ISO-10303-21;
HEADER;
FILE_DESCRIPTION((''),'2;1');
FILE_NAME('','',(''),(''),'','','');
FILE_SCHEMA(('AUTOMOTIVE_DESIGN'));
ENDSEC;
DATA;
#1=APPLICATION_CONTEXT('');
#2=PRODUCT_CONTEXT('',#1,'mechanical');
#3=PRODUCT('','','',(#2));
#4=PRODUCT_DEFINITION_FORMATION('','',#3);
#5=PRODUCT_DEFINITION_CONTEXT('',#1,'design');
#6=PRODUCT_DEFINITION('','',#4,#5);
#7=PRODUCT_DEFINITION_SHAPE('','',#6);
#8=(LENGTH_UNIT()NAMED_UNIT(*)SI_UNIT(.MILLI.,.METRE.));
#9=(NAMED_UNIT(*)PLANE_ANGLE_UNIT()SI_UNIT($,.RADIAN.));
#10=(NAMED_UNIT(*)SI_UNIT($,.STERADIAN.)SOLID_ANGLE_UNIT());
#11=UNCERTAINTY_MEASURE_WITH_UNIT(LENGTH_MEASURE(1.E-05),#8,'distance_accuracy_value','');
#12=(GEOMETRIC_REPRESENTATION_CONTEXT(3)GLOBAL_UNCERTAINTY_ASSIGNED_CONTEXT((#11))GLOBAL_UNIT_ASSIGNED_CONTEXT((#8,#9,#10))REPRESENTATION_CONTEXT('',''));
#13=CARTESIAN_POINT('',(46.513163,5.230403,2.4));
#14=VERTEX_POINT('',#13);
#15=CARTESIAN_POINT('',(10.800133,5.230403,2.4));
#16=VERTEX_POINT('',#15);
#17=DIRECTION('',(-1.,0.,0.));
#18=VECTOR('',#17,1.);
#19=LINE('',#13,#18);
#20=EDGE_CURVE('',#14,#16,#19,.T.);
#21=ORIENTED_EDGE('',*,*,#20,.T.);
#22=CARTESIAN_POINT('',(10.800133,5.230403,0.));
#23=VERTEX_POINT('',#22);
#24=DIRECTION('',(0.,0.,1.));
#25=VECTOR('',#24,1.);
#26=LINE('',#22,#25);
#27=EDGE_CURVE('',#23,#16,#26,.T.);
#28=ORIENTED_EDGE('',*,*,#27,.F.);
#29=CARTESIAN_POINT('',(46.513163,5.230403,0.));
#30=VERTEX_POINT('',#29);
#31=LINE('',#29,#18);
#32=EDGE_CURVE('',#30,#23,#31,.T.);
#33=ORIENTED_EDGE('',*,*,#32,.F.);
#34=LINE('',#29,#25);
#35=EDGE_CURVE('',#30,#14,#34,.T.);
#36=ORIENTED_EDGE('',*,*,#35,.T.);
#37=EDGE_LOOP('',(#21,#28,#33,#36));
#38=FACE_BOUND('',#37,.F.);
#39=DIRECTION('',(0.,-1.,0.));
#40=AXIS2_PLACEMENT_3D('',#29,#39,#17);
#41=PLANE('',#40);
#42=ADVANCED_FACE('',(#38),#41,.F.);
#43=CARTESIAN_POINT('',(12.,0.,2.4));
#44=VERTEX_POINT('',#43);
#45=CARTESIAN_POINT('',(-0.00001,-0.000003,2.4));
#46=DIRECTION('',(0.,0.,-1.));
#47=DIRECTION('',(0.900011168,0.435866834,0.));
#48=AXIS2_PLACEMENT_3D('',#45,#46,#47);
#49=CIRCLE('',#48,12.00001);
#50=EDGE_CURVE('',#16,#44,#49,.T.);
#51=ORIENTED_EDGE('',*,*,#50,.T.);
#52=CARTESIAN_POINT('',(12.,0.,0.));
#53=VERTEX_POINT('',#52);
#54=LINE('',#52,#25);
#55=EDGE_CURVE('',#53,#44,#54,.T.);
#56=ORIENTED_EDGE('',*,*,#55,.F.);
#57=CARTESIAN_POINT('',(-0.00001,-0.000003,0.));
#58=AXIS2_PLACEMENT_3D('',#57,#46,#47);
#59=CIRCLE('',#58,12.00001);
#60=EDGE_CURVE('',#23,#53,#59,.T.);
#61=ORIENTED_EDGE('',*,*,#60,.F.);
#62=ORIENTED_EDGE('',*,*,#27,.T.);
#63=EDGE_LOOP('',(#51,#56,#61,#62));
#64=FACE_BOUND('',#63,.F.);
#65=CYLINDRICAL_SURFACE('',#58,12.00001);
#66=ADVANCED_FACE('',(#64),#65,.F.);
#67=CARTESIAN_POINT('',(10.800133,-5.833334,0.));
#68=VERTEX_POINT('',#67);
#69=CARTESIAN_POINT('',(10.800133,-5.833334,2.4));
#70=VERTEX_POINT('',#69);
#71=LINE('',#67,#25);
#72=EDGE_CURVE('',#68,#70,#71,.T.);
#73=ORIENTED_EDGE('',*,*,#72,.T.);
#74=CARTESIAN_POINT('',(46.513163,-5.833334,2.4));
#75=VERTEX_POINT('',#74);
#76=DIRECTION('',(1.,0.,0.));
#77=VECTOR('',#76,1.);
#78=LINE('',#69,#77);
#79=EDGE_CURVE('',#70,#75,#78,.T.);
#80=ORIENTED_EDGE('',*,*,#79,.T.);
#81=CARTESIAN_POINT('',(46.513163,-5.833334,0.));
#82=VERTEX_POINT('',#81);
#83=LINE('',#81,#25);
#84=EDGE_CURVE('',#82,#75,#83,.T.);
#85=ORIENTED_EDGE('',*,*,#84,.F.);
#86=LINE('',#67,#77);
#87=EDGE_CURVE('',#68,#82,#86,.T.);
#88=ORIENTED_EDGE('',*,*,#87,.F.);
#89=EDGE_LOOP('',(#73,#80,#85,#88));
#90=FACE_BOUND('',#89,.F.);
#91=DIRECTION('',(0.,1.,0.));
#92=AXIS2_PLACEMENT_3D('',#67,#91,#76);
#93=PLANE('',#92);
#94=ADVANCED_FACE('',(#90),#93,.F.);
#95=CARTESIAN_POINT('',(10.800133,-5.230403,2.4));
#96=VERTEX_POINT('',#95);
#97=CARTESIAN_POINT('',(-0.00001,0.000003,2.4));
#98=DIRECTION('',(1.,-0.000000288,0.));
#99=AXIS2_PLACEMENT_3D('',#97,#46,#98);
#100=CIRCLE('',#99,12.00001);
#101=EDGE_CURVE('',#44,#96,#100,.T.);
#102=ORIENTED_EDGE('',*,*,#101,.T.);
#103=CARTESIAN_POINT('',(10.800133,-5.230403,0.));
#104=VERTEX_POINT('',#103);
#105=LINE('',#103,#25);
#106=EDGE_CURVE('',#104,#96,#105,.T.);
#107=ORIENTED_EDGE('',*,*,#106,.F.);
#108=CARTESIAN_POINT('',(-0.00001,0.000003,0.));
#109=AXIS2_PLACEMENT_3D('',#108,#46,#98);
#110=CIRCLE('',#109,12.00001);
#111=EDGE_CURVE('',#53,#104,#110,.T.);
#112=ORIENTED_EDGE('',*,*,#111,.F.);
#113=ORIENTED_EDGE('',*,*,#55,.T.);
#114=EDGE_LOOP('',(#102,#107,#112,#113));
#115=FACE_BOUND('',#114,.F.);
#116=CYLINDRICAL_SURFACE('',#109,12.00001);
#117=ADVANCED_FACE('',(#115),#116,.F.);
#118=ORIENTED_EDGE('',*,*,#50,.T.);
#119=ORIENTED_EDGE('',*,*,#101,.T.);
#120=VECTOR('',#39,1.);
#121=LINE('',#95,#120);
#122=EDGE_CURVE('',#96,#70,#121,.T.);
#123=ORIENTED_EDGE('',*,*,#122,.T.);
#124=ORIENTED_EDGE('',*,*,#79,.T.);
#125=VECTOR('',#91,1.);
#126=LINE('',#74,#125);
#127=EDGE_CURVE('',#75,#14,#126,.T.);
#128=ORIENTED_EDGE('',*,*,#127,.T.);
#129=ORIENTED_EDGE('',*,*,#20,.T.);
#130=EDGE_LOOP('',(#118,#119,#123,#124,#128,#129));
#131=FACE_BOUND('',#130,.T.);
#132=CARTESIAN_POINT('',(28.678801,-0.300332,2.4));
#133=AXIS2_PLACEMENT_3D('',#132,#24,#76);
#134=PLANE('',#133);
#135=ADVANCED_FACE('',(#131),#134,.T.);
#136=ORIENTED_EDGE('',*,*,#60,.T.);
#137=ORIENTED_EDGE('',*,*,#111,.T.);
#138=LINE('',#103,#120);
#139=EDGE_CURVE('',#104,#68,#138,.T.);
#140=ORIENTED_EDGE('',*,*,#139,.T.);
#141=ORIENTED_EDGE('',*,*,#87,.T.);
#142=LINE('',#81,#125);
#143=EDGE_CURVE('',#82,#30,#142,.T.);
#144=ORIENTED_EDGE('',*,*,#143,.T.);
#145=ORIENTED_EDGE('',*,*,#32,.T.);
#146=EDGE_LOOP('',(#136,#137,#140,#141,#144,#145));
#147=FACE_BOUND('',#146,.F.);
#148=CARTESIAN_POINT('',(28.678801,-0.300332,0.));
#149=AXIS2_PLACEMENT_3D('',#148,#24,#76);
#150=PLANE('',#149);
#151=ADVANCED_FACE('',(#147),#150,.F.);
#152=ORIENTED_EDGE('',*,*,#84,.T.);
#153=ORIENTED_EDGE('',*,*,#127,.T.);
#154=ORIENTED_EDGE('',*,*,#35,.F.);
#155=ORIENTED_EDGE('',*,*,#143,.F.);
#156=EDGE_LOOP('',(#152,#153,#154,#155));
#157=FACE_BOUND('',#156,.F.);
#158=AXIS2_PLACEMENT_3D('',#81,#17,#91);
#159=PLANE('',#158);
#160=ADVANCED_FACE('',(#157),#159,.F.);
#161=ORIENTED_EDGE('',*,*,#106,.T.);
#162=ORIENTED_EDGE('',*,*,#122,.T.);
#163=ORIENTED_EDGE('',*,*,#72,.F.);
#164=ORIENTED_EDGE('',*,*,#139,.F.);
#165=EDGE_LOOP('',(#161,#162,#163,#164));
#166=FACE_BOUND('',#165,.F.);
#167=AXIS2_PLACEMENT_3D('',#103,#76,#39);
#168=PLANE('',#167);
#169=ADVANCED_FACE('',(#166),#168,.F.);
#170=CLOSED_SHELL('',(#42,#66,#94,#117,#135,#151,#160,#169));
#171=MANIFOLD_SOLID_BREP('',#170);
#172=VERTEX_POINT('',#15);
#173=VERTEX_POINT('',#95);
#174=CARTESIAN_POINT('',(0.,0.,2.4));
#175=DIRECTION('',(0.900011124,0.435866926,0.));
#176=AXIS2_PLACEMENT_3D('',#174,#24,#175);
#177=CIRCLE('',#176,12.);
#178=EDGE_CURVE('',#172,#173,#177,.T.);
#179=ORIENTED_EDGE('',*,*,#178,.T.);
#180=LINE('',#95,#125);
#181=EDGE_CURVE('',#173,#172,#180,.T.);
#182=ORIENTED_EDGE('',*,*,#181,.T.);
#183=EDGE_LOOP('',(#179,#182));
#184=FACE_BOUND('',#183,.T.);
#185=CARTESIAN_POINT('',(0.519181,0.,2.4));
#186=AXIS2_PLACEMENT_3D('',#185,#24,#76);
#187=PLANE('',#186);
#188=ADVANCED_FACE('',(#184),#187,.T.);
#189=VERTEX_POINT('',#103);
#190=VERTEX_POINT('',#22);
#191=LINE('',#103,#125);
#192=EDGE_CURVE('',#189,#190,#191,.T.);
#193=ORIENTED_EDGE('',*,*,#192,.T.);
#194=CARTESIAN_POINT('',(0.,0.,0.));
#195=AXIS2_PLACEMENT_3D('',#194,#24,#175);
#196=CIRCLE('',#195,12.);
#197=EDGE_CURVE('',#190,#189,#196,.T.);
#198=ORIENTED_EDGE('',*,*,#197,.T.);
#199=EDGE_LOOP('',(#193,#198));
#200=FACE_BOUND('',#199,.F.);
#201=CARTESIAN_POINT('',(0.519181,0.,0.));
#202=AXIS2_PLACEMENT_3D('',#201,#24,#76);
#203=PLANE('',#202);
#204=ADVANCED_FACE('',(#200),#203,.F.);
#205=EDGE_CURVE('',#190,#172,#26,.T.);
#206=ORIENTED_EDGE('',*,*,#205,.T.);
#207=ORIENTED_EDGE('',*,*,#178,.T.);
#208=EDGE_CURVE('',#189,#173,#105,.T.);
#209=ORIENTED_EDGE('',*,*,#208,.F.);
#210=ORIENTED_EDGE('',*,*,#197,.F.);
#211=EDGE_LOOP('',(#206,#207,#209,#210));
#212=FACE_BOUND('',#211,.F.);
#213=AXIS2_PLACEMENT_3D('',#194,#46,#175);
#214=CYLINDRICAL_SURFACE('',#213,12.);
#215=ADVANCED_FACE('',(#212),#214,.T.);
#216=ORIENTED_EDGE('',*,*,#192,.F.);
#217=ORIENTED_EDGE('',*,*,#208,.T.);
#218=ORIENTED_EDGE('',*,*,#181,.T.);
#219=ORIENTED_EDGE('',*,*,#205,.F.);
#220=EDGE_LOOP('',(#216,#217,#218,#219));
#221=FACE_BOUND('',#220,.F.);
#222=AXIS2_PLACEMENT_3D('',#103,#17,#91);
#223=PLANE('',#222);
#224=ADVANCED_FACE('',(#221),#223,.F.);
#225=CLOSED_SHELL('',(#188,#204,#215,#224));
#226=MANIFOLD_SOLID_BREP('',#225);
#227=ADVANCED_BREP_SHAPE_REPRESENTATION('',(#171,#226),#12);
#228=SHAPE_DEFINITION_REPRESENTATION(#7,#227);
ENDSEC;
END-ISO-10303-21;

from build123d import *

# Parameters (mm, degrees)
F1_DEPTH = 2.4


with BuildPart() as f1:
    # F0 (on Top) → F1 (new body)
    with BuildSketch(Plane.XY):
        with BuildLine():
            Line((10.800133, -5.230403), (10.800133, 5.230403))
            ThreePointArc((10.800133, 5.230403), (-12, 0), (10.800133, -5.230403))
        make_face()
        with BuildLine():
            ThreePointArc((10.800133, 5.230403), (11.696187, 2.683132), (12, 0))
            ThreePointArc((12, 0), (11.696187, -2.683132), (10.800133, -5.230403))
            Line((10.800133, -5.230403), (10.800133, -5.833334))
            Line((10.800133, -5.833334), (46.513163, -5.833334))
            Line((46.513163, -5.833334), (46.513163, 5.230403))
            Line((46.513163, 5.230403), (10.800133, 5.230403))
        make_face()
    extrude(amount=F1_DEPTH)


solid = f1.part
